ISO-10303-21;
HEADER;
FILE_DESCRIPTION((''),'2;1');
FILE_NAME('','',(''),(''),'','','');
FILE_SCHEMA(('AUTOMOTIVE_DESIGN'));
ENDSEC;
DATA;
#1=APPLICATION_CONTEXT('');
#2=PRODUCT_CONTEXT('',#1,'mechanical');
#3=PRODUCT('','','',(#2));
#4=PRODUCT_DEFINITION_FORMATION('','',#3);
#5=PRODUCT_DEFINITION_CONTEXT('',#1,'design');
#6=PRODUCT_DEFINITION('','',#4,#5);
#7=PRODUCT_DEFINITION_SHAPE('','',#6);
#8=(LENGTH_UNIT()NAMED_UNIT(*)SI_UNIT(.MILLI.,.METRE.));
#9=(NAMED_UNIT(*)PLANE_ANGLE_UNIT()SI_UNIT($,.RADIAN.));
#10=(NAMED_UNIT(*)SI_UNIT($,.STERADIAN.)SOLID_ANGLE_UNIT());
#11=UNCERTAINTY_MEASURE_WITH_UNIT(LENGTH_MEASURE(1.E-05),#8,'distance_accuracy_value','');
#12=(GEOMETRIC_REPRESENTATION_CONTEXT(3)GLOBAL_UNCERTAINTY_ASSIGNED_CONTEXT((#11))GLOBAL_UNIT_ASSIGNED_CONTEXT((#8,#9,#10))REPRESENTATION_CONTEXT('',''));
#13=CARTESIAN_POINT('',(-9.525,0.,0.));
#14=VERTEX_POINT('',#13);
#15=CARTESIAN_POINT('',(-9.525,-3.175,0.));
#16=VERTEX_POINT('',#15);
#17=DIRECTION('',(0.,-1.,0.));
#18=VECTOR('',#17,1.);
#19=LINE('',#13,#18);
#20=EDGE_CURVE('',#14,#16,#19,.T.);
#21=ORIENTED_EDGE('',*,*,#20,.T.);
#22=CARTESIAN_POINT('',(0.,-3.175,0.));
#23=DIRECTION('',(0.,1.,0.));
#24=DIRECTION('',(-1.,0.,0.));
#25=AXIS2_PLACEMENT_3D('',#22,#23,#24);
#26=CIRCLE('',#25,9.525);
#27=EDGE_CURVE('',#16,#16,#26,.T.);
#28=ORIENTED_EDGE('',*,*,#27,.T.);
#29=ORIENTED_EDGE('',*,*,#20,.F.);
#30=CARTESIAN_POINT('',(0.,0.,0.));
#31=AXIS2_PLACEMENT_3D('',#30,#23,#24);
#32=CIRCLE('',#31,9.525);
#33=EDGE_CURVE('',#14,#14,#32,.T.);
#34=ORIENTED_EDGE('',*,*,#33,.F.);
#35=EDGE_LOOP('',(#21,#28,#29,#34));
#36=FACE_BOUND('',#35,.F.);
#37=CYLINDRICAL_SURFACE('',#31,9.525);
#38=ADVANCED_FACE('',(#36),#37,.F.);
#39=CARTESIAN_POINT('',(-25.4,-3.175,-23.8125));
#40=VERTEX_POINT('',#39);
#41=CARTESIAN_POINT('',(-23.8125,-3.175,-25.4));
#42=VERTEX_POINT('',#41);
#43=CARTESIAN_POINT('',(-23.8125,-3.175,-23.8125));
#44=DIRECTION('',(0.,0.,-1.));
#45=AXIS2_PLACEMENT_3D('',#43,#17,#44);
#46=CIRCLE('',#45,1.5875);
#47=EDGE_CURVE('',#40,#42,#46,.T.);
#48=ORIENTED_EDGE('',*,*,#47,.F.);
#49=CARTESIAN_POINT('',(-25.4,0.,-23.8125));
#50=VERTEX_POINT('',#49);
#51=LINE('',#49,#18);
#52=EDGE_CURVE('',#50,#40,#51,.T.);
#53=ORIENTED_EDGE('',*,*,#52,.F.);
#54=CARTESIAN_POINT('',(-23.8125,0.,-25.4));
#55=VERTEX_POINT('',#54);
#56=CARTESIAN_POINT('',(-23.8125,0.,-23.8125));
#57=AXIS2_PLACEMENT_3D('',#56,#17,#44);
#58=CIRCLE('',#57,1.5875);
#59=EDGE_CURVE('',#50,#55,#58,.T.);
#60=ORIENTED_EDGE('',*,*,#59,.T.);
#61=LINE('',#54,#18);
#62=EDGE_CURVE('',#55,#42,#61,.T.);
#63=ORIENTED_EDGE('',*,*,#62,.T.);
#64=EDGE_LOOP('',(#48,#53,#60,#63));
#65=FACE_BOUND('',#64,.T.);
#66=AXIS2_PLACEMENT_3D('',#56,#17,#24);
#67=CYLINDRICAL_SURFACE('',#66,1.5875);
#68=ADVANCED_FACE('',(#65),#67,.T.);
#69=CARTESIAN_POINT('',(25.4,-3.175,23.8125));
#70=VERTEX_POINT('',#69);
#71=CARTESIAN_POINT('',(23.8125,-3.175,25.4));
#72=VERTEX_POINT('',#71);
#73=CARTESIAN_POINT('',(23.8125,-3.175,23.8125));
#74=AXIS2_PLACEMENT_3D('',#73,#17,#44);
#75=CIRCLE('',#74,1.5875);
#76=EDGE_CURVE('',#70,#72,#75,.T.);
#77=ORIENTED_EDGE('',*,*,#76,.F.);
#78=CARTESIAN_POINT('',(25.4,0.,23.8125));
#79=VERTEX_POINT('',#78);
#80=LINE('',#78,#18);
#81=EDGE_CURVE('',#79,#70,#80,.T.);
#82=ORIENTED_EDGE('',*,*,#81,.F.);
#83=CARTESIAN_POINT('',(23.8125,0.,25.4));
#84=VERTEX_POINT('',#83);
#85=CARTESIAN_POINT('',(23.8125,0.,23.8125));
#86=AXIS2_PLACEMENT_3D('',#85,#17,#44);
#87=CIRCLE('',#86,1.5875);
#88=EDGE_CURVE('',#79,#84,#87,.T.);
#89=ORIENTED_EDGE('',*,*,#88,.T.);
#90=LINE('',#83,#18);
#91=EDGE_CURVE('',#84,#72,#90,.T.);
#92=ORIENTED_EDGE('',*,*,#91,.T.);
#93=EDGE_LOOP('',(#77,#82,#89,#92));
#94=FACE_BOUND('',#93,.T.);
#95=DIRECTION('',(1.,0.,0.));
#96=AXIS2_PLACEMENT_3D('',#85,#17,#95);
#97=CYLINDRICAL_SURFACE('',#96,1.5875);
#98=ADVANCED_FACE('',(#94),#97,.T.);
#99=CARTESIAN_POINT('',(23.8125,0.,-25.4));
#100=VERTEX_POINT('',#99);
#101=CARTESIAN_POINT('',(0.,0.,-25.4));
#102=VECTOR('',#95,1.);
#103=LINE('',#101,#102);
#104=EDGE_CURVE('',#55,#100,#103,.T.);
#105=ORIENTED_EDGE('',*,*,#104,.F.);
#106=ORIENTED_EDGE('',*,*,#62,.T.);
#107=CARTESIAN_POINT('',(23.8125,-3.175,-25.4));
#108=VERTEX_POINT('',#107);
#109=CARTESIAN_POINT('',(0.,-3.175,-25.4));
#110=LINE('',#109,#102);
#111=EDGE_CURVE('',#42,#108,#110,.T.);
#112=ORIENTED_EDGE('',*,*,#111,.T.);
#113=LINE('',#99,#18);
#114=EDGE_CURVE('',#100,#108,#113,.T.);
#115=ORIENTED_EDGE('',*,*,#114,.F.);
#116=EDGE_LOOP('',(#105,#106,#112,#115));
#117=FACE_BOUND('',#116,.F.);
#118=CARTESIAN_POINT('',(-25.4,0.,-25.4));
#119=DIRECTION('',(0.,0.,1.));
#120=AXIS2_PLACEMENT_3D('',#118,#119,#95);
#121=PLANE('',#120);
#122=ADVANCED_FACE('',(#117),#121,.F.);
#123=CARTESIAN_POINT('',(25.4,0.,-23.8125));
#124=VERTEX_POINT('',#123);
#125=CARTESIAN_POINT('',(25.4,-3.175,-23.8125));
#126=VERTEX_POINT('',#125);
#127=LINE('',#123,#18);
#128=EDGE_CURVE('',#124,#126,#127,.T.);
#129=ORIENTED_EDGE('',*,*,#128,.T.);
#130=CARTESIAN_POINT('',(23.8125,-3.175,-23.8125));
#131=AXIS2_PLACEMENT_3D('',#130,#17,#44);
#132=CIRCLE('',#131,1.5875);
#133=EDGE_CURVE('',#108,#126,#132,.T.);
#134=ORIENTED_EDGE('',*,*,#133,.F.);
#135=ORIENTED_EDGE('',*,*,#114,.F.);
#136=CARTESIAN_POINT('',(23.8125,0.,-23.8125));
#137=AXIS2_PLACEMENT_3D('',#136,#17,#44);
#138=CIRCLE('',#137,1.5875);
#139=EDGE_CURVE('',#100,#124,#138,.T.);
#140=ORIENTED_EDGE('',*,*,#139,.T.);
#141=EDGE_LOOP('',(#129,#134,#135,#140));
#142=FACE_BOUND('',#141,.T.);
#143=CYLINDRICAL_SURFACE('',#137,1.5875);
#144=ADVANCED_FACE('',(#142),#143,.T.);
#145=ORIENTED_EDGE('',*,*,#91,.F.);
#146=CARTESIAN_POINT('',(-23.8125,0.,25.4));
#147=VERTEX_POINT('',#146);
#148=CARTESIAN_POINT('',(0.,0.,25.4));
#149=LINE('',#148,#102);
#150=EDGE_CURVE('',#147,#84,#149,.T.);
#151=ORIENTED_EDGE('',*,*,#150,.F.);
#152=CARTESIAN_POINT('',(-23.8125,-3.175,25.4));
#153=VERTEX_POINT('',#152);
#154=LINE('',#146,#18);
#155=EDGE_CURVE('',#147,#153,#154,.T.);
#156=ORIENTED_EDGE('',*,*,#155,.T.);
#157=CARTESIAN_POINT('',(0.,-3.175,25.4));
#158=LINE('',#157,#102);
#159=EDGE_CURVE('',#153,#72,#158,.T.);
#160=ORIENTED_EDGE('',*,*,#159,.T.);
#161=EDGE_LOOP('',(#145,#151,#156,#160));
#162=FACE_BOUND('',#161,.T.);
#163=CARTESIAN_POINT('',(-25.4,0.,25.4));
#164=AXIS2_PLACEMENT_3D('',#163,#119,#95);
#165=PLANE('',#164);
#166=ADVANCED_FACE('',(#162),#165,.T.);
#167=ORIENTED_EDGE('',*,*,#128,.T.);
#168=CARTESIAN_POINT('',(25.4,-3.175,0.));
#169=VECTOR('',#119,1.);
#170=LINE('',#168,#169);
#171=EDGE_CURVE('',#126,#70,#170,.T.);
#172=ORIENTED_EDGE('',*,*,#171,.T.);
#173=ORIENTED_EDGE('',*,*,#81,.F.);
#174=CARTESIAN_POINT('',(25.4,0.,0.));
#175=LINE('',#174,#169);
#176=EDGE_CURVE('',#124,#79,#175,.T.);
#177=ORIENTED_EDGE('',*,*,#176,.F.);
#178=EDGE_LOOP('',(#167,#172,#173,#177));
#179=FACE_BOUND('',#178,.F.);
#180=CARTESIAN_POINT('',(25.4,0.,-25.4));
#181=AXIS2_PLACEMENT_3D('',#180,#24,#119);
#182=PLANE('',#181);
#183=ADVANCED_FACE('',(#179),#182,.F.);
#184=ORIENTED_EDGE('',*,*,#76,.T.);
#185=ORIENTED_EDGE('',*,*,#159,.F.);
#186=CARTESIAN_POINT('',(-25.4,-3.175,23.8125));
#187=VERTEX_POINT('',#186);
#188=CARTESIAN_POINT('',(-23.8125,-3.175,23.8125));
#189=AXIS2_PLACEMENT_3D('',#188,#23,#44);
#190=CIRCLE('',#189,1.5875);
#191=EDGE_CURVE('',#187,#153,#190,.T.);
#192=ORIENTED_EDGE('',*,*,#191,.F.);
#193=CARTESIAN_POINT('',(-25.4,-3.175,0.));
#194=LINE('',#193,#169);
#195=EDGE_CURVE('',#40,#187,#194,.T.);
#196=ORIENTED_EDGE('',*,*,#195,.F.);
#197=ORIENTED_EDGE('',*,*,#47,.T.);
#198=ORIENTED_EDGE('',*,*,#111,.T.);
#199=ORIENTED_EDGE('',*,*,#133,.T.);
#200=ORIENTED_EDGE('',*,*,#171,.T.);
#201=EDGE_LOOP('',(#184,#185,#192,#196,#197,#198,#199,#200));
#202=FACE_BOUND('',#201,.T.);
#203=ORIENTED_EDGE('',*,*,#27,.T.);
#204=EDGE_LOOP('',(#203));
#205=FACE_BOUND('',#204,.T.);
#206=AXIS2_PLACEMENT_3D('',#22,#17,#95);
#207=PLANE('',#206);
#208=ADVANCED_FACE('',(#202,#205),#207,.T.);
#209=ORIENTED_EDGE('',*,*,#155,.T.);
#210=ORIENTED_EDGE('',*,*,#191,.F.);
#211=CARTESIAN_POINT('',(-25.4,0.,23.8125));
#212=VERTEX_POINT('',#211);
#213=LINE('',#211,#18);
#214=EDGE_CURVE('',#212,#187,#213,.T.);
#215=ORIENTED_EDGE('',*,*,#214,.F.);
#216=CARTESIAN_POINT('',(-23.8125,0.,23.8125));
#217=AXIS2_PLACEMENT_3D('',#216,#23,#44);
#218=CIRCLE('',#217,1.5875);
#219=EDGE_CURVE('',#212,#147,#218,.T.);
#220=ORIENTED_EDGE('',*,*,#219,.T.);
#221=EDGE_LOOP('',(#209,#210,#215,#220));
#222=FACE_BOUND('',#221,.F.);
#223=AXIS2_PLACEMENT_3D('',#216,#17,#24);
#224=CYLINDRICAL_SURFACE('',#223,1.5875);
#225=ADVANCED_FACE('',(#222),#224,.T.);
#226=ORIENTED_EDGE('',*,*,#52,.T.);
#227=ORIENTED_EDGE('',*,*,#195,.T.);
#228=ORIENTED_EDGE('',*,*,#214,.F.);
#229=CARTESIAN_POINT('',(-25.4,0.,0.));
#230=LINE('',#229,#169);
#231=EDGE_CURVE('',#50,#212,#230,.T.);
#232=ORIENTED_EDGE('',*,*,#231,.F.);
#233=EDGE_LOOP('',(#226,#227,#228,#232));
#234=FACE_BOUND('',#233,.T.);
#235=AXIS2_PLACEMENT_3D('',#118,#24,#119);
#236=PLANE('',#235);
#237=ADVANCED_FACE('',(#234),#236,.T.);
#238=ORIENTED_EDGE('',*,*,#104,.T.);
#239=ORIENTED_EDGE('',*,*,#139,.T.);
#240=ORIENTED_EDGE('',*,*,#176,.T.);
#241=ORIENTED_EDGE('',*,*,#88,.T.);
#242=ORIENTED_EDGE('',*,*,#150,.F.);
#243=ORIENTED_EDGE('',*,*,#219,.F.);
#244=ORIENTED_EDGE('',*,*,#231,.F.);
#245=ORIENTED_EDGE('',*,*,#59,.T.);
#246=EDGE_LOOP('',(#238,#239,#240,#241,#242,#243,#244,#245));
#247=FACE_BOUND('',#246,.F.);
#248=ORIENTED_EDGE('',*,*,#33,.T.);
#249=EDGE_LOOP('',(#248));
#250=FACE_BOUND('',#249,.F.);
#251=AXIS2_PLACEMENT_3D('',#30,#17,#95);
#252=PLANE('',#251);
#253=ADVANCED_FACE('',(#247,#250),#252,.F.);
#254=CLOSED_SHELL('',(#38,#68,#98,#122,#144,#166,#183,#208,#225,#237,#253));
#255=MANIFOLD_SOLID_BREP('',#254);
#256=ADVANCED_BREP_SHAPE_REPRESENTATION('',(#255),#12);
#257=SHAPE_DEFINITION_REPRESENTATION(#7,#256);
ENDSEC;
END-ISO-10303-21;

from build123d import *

# Parameters (mm, degrees)
F0_W     = 50.8
F0_H     = 50.8
F1_DEPTH = 3.175
F2_R     = 1.5875
F3_R     = 9.525
F4_DEPTH = 3.176


with BuildPart() as f1:
    # F0 (on Front) → F1 (new body)
    with BuildSketch(Plane.XZ):
        Rectangle(F0_W, F0_H)
    extrude(amount=F1_DEPTH)

    # F2
    f2_edges = [f1.edges().sort_by_distance(p)[0] for p in [
        (25.4, -1.5875, 25.4),
        (-25.4, -1.5875, 25.4),
        (-25.4, -1.5875, -25.4),
        (25.4, -1.5875, -25.4),
    ]]
    fillet(f2_edges, radius=F2_R)

    # F3 (on face) → F4 (cut, through all)
    with BuildSketch(Plane(origin=(0, 0, 0), x_dir=(-1, 0, 0), z_dir=(0, 1, 0))):
        Circle(F3_R)
    extrude(amount=-F4_DEPTH, mode=Mode.SUBTRACT)


solid = f1.part
